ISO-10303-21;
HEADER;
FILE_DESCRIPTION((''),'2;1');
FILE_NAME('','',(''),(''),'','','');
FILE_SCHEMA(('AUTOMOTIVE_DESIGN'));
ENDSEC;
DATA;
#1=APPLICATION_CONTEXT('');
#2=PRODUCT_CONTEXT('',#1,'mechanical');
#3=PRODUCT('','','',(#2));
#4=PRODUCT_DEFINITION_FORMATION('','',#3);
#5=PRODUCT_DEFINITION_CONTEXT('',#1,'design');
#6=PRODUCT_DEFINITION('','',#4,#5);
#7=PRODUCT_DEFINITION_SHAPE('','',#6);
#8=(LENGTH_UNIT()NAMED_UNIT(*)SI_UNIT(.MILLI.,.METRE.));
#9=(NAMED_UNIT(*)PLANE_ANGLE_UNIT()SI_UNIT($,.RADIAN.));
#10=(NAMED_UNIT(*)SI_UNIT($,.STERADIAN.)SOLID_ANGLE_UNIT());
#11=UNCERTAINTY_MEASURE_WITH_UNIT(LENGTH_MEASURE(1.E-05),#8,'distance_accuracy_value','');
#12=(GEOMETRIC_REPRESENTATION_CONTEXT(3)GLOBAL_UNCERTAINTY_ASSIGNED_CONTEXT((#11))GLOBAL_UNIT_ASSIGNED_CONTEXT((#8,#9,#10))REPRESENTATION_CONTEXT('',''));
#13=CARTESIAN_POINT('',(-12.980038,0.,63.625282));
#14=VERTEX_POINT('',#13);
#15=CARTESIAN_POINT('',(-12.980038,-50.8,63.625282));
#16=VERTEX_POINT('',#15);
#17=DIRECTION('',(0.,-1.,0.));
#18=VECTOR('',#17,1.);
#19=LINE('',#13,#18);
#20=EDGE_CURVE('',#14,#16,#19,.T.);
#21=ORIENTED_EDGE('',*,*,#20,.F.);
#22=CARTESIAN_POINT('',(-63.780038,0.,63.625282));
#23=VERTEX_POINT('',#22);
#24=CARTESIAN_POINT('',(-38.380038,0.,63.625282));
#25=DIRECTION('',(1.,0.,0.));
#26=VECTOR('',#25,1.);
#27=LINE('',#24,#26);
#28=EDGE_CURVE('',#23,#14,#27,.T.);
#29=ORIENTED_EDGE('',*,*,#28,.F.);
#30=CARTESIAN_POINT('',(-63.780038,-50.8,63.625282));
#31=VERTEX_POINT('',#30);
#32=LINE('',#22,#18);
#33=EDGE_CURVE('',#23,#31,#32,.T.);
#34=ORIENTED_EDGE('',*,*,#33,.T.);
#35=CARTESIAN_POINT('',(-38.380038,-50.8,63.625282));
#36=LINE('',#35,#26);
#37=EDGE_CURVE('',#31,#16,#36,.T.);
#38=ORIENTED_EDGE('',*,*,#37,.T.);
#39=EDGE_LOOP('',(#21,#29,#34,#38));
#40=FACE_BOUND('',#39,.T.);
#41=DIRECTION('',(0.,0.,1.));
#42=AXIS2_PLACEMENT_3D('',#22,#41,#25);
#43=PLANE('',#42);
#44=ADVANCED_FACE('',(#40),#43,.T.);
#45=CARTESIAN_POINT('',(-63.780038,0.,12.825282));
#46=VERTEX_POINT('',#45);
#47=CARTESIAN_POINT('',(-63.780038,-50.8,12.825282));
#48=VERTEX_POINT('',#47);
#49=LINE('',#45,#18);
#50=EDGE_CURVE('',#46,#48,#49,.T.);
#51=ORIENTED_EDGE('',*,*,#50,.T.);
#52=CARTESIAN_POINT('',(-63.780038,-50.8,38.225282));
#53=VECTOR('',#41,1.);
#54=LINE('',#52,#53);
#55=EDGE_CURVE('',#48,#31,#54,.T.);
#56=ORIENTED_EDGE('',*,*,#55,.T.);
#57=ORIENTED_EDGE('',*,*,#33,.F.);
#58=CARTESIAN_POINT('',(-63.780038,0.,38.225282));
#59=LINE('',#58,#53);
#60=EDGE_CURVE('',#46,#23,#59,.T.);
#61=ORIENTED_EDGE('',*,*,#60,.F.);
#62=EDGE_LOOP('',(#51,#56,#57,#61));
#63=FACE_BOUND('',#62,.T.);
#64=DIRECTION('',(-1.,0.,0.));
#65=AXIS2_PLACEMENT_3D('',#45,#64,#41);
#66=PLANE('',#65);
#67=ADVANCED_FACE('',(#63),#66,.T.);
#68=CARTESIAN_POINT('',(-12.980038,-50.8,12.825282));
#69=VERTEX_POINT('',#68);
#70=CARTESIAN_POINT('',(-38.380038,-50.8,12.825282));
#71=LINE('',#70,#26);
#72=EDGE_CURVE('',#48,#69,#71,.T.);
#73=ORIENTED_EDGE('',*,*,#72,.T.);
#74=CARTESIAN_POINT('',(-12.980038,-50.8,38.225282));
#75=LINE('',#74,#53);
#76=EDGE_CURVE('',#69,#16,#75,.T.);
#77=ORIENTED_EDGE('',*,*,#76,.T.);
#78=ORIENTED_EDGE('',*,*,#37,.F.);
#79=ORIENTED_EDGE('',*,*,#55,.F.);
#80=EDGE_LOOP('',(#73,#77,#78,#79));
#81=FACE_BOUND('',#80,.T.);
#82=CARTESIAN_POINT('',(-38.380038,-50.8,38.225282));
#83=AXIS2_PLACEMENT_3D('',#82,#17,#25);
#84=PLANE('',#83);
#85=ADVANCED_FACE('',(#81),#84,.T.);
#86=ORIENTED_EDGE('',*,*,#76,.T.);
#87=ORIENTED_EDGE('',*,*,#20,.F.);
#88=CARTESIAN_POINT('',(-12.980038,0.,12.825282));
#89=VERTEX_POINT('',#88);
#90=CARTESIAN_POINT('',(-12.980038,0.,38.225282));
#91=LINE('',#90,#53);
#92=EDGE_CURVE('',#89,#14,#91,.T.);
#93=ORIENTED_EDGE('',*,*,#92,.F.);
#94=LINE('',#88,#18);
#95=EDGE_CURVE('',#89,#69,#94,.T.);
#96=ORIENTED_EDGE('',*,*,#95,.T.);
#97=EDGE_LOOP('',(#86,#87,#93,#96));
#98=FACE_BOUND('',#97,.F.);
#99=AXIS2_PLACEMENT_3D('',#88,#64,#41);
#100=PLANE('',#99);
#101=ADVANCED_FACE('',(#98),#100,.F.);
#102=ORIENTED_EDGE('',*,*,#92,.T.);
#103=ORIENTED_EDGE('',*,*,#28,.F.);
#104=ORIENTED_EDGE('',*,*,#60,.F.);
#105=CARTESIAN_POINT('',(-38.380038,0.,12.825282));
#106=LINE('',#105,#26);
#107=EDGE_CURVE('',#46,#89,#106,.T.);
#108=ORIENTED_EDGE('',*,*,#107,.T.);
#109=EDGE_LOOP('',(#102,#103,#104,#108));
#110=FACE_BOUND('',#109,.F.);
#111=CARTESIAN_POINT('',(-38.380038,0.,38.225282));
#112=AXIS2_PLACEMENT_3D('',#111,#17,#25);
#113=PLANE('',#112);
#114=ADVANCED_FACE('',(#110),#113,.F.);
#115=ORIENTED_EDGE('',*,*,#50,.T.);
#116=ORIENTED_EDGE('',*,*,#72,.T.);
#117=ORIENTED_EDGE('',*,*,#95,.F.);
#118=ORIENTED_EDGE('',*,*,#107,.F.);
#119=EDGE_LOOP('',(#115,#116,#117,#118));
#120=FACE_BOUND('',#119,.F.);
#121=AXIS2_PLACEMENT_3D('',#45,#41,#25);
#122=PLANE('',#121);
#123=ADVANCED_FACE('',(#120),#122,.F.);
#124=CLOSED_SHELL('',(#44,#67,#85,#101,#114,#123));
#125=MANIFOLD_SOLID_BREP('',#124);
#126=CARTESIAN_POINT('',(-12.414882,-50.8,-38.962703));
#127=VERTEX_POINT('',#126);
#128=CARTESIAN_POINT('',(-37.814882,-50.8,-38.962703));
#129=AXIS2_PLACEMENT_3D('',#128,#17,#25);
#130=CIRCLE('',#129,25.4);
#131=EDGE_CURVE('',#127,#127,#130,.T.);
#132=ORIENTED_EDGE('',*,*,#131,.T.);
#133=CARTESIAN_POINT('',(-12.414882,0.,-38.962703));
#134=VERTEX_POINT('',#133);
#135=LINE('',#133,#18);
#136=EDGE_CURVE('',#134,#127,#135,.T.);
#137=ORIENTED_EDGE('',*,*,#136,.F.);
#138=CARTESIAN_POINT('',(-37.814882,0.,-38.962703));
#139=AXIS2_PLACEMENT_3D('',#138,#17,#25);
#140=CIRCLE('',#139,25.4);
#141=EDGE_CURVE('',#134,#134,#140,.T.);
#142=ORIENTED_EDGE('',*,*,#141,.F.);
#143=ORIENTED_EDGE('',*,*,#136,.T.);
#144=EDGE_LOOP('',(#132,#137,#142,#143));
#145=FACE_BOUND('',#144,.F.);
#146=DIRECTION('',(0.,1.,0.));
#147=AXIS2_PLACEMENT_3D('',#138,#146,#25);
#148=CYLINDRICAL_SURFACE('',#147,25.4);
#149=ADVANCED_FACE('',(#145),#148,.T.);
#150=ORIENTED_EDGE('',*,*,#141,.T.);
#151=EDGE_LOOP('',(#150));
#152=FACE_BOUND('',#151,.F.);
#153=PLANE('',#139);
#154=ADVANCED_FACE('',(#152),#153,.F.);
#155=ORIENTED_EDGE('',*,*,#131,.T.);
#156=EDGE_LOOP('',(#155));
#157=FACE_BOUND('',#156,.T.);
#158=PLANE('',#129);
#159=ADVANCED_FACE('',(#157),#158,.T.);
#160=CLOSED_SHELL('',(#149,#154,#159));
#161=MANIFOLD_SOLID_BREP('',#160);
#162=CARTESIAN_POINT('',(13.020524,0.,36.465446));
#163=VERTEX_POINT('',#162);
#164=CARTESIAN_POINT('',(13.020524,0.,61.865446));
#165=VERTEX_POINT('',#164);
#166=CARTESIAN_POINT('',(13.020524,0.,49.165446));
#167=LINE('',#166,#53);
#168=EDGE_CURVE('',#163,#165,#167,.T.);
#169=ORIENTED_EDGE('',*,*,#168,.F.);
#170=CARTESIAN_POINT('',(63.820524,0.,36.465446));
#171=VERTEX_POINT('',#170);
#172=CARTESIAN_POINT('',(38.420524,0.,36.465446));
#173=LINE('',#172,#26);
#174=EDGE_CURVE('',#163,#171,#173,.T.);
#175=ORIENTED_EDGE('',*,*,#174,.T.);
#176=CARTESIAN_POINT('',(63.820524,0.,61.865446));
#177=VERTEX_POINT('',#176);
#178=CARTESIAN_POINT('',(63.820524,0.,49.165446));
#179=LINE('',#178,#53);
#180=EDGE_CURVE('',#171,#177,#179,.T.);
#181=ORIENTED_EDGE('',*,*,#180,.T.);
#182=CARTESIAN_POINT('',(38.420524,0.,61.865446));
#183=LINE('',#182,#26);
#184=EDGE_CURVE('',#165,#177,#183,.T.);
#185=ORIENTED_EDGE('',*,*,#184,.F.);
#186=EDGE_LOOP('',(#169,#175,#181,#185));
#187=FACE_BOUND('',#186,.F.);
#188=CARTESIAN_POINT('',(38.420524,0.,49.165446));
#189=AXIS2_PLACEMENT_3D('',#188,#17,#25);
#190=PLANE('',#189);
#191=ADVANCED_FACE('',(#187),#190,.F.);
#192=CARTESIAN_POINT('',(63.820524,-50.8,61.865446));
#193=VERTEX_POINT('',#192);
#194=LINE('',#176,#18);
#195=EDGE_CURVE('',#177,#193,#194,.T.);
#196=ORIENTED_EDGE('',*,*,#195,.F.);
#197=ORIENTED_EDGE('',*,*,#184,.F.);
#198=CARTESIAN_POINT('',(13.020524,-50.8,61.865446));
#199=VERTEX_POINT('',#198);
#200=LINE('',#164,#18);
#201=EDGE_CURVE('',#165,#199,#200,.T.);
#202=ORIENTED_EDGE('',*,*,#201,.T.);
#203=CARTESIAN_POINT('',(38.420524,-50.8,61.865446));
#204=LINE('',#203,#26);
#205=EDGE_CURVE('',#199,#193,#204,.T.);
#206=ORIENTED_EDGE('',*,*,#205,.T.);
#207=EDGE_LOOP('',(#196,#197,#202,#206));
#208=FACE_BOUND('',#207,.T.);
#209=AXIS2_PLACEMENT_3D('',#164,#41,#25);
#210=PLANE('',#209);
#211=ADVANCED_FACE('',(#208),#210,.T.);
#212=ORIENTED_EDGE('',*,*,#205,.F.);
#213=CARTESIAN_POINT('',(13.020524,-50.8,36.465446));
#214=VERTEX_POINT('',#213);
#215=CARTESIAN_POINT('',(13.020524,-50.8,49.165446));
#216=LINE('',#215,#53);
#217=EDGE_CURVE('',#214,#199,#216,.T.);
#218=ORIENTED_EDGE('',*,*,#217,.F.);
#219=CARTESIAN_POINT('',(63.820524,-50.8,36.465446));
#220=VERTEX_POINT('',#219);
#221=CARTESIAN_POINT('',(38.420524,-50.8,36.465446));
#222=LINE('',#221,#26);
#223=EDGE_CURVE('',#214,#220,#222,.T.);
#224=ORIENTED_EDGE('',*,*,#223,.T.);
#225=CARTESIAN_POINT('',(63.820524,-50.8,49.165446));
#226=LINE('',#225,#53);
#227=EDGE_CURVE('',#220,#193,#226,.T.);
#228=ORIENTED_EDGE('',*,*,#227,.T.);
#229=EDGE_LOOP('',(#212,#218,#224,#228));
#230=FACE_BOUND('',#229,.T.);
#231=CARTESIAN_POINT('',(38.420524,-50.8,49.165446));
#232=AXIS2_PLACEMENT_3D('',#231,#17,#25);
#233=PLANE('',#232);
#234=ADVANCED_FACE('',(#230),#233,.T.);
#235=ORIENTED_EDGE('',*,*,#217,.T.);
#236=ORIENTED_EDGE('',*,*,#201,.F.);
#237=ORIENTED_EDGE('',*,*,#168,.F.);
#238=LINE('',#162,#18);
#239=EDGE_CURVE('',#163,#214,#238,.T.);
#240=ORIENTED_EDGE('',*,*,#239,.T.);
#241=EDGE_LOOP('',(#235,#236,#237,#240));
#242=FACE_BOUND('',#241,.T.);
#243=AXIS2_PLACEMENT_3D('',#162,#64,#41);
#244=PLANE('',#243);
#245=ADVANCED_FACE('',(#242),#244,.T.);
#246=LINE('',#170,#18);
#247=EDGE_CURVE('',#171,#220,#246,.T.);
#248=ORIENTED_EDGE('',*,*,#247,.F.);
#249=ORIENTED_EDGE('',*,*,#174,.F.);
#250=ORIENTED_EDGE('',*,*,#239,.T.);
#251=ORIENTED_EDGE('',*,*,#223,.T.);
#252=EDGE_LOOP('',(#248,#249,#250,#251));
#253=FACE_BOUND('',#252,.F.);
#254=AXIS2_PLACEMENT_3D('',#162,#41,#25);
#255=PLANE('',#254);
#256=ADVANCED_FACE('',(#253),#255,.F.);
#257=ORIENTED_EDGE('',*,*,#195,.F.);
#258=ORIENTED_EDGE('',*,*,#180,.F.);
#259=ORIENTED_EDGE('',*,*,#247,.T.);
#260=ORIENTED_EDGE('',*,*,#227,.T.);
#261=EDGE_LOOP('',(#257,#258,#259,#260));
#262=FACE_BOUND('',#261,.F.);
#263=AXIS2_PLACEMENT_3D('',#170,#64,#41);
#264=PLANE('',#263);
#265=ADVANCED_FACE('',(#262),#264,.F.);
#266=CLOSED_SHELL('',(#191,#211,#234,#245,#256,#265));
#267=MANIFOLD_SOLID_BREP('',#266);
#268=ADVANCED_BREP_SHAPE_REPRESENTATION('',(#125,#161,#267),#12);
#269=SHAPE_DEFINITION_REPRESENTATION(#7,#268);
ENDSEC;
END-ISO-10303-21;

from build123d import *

# Parameters (mm, degrees)
F0_W     = 50.8
F0_H     = 50.8
F0_R     = 25.4
F0_H_2   = 25.4
F1_DEPTH = 50.8


with BuildPart() as f1:
    # F0 (on Front) → F1 (new body)
    with BuildSketch(Plane.XZ):
        with Locations((-38.380038, 38.225282)):
            Rectangle(F0_W, F0_H)
        with Locations((-37.814882, -38.962703)):
            Circle(F0_R)
        with Locations((38.420524, 49.165446)):
            Rectangle(F0_W, F0_H_2)
    extrude(amount=F1_DEPTH)


solid = f1.part
